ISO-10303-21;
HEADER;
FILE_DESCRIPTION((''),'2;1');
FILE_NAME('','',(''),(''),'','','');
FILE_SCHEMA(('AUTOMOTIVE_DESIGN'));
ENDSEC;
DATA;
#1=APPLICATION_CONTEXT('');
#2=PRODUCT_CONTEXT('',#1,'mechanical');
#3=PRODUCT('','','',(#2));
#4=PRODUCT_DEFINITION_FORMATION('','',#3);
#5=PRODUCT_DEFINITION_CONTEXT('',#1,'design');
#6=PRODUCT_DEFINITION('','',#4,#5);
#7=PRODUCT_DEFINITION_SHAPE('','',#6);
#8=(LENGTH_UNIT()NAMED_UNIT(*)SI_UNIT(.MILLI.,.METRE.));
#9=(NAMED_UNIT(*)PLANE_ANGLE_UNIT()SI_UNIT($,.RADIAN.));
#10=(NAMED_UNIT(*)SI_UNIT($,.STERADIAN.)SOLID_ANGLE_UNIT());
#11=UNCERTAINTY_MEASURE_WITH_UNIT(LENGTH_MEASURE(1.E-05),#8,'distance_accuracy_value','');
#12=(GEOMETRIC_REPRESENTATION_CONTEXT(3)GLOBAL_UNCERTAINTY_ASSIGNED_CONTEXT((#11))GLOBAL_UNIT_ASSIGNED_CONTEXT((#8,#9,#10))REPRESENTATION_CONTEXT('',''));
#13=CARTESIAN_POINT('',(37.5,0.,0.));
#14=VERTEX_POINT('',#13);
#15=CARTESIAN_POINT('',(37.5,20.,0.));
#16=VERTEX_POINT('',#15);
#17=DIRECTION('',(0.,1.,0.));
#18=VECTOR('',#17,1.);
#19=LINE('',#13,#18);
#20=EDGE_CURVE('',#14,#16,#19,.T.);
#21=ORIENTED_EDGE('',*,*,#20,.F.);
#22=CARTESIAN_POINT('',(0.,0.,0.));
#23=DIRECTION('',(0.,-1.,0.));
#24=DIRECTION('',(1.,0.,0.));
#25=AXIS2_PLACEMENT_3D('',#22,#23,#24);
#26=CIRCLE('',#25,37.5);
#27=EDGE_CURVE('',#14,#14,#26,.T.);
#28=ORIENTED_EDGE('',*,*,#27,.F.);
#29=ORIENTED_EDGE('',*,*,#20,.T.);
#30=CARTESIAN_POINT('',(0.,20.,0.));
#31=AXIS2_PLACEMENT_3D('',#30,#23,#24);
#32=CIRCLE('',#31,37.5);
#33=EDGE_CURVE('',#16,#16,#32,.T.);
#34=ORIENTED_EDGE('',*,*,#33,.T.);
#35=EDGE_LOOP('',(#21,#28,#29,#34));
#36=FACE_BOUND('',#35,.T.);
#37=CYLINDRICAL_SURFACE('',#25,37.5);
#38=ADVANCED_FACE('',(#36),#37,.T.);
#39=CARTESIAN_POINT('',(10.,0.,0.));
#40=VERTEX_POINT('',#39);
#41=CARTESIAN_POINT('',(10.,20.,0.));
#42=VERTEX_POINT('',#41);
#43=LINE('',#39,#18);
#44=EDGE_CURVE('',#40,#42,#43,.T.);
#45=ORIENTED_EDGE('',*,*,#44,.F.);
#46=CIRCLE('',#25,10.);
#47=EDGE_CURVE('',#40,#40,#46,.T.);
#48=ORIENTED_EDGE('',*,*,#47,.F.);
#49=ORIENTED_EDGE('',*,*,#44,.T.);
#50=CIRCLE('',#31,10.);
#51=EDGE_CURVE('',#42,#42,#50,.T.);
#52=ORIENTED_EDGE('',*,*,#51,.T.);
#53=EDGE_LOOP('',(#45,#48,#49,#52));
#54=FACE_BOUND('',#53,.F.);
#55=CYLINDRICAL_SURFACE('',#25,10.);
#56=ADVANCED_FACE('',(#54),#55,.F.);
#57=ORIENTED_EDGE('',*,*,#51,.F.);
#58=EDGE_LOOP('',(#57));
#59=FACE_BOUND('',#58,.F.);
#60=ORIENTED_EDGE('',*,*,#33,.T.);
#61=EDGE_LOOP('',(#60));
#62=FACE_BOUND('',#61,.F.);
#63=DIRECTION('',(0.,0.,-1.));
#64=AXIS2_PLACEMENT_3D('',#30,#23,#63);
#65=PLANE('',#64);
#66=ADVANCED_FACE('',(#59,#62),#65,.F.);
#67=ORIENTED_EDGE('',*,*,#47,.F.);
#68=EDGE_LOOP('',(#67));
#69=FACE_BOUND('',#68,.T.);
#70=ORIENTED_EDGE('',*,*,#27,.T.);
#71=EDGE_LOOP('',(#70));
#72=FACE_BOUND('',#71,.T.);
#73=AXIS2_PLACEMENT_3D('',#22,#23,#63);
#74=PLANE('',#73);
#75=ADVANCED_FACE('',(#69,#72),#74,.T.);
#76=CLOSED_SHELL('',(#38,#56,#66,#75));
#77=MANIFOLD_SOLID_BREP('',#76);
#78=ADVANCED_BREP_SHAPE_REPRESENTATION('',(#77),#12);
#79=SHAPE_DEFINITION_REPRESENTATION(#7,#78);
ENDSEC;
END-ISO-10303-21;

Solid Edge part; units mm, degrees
sketch "Sketch1" plane through (0, 0, 0) normal (0, -1, 0) x (1, 0, 0)
  circle A0 centre (0, 0) radius 37.5
  dimension "D1" = 75
extrude "Protrusion1" add sketch "Sketch1" against normal blind 20
sketch "Sketch2" plane through (0, 0, 0) normal (0, -1, 0) x (1, 0, 0)
  circle A0 centre (0, 0) radius 10
  dimension "D1" = 20
extrude "Cutout1" cut sketch "Sketch2" against normal up to next
properties material "Steel"
